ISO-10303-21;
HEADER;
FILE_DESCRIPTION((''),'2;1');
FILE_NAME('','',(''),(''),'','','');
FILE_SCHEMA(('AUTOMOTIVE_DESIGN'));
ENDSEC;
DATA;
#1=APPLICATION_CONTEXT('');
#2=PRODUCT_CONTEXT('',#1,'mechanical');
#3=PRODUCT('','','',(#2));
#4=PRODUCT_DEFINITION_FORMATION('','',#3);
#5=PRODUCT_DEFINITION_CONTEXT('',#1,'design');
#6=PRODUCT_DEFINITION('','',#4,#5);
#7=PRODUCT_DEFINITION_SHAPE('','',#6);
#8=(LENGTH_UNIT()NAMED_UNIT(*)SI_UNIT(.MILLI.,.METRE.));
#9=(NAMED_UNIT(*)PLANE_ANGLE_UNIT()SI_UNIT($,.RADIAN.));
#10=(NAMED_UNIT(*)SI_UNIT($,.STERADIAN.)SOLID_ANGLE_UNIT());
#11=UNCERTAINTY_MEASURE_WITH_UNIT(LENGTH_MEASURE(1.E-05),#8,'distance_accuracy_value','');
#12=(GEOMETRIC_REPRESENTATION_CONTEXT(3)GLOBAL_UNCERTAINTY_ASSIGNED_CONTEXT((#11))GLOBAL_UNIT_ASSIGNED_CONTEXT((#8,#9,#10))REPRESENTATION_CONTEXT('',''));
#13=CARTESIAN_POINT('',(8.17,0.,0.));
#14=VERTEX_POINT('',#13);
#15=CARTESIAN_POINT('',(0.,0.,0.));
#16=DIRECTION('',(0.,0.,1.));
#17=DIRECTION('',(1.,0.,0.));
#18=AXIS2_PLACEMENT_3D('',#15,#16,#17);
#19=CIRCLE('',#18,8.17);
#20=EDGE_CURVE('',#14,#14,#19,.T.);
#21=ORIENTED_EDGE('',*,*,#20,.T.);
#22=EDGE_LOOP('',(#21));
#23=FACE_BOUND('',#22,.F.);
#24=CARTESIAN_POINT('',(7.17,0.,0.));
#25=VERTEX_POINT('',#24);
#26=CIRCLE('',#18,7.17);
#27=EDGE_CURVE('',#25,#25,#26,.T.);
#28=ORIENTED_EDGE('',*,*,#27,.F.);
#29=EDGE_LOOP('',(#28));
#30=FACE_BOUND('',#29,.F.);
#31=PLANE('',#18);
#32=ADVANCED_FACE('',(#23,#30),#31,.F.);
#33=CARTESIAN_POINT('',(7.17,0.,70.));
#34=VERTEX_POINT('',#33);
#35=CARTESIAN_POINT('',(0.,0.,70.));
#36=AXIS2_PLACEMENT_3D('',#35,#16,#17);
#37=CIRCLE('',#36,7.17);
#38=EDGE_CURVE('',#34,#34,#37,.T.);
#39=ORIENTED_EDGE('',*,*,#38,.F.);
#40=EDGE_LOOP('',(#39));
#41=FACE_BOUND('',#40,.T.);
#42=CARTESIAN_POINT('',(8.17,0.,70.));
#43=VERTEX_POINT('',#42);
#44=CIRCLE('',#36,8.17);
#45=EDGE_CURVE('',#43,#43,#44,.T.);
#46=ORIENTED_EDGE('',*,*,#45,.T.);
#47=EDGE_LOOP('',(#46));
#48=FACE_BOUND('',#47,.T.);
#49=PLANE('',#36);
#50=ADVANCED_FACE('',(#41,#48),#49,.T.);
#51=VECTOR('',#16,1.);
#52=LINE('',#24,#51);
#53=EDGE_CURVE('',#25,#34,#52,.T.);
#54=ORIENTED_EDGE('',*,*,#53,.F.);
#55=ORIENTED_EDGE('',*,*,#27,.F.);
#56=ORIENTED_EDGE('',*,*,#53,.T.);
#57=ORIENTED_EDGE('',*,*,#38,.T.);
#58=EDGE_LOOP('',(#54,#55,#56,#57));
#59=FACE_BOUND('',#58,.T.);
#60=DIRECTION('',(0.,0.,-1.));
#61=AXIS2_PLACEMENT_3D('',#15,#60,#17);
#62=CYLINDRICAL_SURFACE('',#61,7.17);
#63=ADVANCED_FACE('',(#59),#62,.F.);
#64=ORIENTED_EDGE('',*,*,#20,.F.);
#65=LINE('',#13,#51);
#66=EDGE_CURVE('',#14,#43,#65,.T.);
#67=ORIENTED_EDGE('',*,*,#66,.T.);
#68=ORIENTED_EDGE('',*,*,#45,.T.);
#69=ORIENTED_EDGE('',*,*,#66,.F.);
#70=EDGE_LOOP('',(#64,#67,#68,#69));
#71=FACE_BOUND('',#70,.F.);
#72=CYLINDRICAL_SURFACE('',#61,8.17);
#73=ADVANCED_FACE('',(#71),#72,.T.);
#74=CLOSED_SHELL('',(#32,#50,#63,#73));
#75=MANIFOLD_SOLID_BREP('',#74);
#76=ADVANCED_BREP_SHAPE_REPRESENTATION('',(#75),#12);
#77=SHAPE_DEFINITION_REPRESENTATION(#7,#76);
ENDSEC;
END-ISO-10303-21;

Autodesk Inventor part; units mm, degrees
ref_plane "YZ Plane" through (0, 0, 0) normal (1, 0, 0) x (0, 1, 0)
ref_plane "XZ Plane" through (0, 0, 0) normal (0, 1, 0) x (-1, 0, 0)
ref_plane "XY Plane" through (0, 0, 0) normal (0, 0, 1) x (1, 0, 0)
sketch "Sketch1" plane through (0, 0, 0) normal (0, 0, 1) x (1, 0, 0)
  circle A0 centre (0, 0) radius 7.17
  circle A1 centre (0, 0) radius 8.17
  dimension "d0" = 16.34
  dimension "d1" = 1
extrude "Extrusion1" add sketch "Sketch1" along normal blind 70
properties part number "ICF34_70mmNipplePipe" material "Stainless Steel"
